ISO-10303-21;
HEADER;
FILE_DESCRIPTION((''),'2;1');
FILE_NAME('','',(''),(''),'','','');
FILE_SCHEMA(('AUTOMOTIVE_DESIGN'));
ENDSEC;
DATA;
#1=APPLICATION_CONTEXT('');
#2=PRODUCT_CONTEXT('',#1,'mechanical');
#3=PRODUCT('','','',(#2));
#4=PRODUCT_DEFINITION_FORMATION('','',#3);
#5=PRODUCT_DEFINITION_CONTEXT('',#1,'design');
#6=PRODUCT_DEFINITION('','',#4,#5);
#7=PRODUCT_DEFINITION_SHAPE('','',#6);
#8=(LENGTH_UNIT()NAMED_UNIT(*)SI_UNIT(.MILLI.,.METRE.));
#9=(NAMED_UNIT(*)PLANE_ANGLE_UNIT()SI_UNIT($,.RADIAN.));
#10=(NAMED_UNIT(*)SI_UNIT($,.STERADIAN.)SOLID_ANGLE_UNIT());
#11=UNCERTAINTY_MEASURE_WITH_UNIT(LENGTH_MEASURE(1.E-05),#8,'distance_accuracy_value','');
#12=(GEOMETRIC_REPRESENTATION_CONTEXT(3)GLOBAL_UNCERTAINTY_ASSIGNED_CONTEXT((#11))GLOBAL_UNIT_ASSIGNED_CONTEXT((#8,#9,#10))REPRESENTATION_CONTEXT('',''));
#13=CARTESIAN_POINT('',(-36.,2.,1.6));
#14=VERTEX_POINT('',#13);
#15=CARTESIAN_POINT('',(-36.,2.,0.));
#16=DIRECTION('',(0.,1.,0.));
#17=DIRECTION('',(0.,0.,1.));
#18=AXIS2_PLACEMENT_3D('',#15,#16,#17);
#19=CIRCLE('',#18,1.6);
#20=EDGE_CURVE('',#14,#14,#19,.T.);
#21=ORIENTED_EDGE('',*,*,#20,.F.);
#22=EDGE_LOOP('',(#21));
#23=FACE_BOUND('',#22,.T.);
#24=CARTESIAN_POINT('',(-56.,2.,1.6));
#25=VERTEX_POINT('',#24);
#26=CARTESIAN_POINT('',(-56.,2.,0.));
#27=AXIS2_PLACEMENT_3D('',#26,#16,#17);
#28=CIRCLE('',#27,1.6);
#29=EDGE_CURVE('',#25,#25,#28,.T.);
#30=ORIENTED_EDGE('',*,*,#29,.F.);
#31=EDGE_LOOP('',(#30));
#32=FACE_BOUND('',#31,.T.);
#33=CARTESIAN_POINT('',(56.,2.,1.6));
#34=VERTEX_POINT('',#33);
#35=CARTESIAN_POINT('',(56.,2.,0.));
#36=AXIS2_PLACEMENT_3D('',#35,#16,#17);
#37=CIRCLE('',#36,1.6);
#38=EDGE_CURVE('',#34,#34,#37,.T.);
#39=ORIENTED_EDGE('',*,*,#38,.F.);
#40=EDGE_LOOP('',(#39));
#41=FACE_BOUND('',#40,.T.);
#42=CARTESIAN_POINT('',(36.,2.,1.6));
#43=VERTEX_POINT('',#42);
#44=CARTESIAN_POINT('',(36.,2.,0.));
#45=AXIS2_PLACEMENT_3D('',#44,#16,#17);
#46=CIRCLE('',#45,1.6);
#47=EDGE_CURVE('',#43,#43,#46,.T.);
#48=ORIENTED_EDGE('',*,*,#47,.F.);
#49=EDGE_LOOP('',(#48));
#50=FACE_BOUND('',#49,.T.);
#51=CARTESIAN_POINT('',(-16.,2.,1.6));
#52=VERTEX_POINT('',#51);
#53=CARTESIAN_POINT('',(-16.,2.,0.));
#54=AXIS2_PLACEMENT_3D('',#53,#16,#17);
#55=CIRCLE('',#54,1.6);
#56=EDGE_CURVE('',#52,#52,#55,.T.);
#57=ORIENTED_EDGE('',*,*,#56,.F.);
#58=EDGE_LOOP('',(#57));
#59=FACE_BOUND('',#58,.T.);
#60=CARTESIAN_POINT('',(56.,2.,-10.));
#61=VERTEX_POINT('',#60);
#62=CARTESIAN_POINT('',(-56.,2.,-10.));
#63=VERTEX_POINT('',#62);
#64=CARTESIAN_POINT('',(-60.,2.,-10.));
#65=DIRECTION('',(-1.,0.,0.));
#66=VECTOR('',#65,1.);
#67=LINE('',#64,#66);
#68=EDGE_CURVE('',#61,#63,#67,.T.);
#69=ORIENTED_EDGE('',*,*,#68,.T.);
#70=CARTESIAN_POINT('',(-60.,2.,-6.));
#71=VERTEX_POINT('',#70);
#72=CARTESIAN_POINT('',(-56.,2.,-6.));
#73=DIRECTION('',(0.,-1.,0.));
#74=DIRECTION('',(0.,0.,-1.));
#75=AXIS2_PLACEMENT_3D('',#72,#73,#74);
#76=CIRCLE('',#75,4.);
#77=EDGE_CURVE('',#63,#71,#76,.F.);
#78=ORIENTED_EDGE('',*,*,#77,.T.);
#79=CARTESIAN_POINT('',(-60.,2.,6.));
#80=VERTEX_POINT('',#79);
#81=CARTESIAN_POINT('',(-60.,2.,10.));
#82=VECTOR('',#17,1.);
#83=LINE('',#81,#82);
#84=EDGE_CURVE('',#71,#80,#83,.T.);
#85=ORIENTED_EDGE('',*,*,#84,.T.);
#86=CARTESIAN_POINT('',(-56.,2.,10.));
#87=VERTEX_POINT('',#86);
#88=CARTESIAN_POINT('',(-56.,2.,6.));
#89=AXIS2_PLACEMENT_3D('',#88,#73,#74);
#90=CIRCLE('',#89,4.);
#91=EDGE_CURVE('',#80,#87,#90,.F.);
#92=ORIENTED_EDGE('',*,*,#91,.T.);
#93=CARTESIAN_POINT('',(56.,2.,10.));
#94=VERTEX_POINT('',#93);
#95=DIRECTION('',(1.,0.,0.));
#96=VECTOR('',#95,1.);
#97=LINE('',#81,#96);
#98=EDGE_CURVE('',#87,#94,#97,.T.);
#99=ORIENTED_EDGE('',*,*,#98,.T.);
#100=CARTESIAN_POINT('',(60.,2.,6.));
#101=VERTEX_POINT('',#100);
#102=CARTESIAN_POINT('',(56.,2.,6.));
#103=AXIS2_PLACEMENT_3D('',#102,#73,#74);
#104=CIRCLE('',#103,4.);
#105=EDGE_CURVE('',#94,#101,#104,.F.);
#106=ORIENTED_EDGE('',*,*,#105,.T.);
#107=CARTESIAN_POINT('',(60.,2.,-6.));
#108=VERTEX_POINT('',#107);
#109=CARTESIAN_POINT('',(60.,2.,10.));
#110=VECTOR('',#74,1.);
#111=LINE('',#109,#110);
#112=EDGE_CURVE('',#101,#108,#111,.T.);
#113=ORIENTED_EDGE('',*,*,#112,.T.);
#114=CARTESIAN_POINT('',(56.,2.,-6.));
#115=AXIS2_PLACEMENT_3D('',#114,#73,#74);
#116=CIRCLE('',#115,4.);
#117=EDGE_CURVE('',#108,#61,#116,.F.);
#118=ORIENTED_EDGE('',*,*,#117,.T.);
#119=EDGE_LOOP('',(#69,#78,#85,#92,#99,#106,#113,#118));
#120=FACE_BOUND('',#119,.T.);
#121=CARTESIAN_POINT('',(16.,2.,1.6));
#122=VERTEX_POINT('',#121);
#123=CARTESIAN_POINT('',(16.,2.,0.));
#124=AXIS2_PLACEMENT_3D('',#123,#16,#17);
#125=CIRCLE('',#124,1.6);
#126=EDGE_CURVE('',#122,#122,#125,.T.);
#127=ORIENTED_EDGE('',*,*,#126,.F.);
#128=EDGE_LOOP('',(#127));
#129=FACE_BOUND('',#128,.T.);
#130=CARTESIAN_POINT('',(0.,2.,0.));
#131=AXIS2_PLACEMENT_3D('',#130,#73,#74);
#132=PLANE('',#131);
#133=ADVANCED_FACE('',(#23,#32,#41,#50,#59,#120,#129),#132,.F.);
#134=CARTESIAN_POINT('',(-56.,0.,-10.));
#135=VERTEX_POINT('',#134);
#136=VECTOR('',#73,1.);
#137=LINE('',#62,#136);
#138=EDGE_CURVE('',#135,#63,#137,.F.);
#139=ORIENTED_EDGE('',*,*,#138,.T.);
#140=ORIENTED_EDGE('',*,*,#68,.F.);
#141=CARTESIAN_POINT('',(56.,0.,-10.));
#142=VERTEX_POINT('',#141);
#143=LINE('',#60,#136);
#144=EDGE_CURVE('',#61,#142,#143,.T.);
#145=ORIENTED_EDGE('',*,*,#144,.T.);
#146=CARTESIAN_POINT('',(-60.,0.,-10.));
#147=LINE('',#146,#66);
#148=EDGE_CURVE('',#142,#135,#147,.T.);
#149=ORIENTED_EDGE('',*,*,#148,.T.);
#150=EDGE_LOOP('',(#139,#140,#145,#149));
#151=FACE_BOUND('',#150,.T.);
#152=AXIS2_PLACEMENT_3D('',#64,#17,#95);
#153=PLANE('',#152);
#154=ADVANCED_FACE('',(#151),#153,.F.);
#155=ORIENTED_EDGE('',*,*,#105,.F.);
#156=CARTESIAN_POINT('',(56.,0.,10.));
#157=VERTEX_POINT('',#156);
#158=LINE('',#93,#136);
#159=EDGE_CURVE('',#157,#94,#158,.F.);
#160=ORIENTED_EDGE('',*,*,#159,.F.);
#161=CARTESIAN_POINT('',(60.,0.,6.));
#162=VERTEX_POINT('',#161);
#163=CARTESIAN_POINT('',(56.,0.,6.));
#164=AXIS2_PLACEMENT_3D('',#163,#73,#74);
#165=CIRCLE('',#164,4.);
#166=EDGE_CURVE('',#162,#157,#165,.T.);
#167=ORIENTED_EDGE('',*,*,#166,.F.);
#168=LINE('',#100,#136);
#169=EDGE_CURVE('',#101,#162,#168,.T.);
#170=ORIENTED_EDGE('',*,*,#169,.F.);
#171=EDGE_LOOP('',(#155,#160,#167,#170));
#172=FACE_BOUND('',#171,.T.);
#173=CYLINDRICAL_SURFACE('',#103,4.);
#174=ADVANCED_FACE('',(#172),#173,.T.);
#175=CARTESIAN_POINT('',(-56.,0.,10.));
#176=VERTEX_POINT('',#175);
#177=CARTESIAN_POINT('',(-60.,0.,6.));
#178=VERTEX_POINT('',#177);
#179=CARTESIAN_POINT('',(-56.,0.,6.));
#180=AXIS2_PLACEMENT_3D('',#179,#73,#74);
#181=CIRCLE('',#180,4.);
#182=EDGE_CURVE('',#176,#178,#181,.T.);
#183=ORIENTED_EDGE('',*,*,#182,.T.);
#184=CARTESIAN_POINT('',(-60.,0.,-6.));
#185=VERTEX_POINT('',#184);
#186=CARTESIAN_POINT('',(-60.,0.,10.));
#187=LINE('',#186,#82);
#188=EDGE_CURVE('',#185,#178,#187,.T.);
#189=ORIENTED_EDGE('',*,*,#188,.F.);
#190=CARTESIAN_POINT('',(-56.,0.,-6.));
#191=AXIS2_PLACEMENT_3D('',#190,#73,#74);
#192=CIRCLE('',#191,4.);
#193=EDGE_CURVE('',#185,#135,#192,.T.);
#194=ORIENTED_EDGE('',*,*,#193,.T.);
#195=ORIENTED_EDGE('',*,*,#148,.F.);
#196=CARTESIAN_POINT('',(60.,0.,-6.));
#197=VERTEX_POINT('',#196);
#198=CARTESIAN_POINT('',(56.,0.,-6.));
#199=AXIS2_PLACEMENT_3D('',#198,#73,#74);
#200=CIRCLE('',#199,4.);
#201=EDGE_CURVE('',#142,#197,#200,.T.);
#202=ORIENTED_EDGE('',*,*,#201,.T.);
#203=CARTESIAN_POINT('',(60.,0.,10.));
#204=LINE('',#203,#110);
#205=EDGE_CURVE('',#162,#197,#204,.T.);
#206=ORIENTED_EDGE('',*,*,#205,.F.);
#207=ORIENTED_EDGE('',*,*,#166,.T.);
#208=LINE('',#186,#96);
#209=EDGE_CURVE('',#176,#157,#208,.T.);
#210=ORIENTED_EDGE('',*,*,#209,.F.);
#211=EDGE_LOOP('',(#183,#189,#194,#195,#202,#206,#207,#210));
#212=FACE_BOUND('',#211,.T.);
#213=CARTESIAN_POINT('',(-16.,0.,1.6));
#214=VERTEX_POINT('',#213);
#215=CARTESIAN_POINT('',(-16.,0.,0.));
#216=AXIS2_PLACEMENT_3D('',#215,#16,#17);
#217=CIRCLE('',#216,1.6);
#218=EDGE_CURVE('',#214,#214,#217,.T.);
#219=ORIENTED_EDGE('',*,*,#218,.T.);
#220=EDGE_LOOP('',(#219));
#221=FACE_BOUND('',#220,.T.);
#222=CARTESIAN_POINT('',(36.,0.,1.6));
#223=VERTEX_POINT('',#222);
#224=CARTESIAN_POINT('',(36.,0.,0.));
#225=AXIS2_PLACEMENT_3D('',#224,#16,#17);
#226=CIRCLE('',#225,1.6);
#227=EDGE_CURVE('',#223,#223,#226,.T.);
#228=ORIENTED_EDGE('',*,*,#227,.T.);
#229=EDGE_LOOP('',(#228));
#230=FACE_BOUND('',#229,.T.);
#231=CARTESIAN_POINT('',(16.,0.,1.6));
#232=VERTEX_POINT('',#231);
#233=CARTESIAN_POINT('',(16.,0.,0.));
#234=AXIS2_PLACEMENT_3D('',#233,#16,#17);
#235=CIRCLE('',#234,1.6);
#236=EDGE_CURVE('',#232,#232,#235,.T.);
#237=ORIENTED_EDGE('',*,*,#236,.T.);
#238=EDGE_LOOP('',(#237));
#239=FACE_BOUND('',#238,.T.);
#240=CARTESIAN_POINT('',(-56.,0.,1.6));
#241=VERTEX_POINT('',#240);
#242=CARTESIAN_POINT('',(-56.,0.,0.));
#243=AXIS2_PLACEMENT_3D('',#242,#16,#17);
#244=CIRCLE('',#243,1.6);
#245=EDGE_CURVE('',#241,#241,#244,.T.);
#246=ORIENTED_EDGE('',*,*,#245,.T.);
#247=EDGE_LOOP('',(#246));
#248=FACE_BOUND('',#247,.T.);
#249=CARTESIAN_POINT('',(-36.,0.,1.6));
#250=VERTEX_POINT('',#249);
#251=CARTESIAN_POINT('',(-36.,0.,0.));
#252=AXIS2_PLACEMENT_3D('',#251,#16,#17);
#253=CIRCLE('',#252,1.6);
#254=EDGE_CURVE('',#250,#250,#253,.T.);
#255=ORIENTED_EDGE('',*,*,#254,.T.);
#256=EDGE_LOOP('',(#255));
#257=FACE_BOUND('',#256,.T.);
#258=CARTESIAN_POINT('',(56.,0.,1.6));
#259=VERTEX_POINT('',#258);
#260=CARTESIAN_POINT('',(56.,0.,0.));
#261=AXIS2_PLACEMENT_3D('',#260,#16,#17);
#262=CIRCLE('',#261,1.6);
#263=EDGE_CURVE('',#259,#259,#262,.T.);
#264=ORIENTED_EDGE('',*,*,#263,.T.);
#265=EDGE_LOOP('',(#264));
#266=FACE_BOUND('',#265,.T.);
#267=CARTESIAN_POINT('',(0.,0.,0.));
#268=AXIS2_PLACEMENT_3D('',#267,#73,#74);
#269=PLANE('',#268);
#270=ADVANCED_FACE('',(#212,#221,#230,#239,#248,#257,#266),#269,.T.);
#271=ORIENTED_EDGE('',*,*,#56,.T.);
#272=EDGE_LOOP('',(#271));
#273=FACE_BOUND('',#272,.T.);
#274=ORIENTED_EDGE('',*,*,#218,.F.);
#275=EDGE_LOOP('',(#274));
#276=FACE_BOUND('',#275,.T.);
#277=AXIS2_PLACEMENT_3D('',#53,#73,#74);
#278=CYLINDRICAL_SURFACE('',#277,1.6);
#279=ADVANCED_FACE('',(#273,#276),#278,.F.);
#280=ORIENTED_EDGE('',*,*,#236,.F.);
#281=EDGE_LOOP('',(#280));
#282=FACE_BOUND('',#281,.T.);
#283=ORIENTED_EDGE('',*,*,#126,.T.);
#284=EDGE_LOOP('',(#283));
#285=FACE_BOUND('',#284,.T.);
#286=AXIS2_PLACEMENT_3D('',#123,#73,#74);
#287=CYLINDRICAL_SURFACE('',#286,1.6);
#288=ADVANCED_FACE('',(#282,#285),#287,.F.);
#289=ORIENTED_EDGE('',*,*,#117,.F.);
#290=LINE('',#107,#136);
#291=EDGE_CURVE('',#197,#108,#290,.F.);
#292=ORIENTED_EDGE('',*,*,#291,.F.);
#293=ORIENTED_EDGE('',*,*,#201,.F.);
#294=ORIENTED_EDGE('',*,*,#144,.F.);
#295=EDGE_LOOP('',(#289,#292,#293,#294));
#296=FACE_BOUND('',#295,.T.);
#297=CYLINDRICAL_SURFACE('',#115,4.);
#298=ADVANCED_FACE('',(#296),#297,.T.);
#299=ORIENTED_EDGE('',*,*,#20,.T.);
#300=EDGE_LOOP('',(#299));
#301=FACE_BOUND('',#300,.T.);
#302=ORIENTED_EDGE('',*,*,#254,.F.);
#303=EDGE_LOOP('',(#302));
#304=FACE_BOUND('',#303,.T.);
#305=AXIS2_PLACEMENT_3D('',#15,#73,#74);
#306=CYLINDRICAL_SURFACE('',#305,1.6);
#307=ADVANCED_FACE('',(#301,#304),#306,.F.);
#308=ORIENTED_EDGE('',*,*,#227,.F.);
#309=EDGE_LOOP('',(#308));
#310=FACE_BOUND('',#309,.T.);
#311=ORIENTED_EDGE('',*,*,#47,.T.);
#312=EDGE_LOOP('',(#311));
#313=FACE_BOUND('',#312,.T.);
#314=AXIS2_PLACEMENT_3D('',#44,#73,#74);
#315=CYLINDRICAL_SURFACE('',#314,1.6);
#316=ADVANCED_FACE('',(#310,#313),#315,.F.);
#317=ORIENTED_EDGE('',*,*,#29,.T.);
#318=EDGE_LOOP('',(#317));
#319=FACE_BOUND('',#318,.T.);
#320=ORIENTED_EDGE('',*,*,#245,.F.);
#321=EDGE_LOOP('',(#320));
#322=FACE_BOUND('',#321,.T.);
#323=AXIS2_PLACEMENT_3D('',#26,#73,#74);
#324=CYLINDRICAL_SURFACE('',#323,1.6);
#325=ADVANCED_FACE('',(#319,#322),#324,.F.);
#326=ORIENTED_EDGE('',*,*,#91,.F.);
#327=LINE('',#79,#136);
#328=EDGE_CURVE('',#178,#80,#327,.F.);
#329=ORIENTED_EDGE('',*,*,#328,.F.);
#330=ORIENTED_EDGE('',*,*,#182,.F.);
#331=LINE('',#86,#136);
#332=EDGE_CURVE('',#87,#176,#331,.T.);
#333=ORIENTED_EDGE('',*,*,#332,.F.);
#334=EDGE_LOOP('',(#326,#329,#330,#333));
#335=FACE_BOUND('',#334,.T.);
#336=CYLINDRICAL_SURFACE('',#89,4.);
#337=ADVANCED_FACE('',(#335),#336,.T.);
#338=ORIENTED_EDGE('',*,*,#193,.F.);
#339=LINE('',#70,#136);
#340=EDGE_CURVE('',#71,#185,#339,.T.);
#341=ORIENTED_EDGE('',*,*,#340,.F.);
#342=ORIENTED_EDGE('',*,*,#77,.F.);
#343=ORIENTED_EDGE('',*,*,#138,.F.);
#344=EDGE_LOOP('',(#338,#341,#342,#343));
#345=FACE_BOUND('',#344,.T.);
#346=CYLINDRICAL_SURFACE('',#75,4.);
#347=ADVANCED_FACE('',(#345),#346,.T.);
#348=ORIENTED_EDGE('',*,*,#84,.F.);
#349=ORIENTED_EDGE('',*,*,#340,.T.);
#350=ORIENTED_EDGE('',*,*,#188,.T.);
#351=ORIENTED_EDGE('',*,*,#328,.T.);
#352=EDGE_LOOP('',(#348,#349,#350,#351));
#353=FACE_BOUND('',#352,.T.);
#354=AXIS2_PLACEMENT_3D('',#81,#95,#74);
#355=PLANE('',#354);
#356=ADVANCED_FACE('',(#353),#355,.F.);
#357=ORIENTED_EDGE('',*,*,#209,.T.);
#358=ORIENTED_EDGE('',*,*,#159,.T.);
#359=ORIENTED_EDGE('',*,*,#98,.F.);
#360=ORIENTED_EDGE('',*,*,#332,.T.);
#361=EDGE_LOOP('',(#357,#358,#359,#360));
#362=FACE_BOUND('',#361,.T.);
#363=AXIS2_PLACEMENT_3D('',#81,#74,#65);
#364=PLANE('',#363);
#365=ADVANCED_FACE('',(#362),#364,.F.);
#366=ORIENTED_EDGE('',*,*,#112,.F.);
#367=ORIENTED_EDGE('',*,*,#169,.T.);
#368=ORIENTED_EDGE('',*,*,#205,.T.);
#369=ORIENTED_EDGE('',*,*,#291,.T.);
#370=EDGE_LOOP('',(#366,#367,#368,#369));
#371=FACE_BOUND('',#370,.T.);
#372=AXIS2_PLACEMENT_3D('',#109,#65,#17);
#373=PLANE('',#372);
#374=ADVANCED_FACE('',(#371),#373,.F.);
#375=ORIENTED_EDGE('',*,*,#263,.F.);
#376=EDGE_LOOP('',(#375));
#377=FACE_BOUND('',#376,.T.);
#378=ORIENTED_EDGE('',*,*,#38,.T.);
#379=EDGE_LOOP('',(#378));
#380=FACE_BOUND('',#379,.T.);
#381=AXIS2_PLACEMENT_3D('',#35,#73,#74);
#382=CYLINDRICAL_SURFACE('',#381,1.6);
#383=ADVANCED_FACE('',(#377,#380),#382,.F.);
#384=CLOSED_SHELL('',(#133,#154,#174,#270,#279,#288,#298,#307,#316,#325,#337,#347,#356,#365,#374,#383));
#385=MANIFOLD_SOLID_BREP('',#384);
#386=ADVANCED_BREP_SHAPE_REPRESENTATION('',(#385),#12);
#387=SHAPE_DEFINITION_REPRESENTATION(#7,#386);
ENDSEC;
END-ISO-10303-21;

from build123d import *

# Parameters (mm, degrees)
SKETCH_1_W      = 120
SKETCH_1_H      = 20
SKETCH_1_R      = 1.6
EXTRUDE_1_DEPTH = 2
FILLET_1_R      = 4


with BuildPart() as part:
    # 草图1 → 凸台-拉伸1 (new body)
    with BuildSketch(Plane(origin=(0, 0, 0), x_dir=(1, 0, 0), z_dir=(0, 1, 0))):
        Rectangle(SKETCH_1_W, SKETCH_1_H)
        with Locations(Location((16, 0, 0), (0, 0, 270))):
            Circle(SKETCH_1_R, mode=Mode.SUBTRACT)
        with Locations(Location((-16, 0, 0), (0, 0, 270))):
            Circle(SKETCH_1_R, mode=Mode.SUBTRACT)
        with Locations(Location((36, 0, 0), (0, 0, 270))):
            Circle(SKETCH_1_R, mode=Mode.SUBTRACT)
        with Locations(Location((56, 0, 0), (0, 0, 270))):
            Circle(SKETCH_1_R, mode=Mode.SUBTRACT)
        with Locations(Location((-36, 0, 0), (0, 0, 270))):
            Circle(SKETCH_1_R, mode=Mode.SUBTRACT)
        with Locations(Location((-56, 0, 0), (0, 0, 270))):
            Circle(SKETCH_1_R, mode=Mode.SUBTRACT)
    extrude(amount=EXTRUDE_1_DEPTH)

    # 圆角1
    fillet_1_edges = [part.edges().sort_by_distance(p)[0] for p in [
        (60, 1, 10),
        (-60, 1, 10),
        (-60, 1, -10),
        (60, 1, -10),
    ]]
    fillet(fillet_1_edges, radius=FILLET_1_R)


solid = part.part
